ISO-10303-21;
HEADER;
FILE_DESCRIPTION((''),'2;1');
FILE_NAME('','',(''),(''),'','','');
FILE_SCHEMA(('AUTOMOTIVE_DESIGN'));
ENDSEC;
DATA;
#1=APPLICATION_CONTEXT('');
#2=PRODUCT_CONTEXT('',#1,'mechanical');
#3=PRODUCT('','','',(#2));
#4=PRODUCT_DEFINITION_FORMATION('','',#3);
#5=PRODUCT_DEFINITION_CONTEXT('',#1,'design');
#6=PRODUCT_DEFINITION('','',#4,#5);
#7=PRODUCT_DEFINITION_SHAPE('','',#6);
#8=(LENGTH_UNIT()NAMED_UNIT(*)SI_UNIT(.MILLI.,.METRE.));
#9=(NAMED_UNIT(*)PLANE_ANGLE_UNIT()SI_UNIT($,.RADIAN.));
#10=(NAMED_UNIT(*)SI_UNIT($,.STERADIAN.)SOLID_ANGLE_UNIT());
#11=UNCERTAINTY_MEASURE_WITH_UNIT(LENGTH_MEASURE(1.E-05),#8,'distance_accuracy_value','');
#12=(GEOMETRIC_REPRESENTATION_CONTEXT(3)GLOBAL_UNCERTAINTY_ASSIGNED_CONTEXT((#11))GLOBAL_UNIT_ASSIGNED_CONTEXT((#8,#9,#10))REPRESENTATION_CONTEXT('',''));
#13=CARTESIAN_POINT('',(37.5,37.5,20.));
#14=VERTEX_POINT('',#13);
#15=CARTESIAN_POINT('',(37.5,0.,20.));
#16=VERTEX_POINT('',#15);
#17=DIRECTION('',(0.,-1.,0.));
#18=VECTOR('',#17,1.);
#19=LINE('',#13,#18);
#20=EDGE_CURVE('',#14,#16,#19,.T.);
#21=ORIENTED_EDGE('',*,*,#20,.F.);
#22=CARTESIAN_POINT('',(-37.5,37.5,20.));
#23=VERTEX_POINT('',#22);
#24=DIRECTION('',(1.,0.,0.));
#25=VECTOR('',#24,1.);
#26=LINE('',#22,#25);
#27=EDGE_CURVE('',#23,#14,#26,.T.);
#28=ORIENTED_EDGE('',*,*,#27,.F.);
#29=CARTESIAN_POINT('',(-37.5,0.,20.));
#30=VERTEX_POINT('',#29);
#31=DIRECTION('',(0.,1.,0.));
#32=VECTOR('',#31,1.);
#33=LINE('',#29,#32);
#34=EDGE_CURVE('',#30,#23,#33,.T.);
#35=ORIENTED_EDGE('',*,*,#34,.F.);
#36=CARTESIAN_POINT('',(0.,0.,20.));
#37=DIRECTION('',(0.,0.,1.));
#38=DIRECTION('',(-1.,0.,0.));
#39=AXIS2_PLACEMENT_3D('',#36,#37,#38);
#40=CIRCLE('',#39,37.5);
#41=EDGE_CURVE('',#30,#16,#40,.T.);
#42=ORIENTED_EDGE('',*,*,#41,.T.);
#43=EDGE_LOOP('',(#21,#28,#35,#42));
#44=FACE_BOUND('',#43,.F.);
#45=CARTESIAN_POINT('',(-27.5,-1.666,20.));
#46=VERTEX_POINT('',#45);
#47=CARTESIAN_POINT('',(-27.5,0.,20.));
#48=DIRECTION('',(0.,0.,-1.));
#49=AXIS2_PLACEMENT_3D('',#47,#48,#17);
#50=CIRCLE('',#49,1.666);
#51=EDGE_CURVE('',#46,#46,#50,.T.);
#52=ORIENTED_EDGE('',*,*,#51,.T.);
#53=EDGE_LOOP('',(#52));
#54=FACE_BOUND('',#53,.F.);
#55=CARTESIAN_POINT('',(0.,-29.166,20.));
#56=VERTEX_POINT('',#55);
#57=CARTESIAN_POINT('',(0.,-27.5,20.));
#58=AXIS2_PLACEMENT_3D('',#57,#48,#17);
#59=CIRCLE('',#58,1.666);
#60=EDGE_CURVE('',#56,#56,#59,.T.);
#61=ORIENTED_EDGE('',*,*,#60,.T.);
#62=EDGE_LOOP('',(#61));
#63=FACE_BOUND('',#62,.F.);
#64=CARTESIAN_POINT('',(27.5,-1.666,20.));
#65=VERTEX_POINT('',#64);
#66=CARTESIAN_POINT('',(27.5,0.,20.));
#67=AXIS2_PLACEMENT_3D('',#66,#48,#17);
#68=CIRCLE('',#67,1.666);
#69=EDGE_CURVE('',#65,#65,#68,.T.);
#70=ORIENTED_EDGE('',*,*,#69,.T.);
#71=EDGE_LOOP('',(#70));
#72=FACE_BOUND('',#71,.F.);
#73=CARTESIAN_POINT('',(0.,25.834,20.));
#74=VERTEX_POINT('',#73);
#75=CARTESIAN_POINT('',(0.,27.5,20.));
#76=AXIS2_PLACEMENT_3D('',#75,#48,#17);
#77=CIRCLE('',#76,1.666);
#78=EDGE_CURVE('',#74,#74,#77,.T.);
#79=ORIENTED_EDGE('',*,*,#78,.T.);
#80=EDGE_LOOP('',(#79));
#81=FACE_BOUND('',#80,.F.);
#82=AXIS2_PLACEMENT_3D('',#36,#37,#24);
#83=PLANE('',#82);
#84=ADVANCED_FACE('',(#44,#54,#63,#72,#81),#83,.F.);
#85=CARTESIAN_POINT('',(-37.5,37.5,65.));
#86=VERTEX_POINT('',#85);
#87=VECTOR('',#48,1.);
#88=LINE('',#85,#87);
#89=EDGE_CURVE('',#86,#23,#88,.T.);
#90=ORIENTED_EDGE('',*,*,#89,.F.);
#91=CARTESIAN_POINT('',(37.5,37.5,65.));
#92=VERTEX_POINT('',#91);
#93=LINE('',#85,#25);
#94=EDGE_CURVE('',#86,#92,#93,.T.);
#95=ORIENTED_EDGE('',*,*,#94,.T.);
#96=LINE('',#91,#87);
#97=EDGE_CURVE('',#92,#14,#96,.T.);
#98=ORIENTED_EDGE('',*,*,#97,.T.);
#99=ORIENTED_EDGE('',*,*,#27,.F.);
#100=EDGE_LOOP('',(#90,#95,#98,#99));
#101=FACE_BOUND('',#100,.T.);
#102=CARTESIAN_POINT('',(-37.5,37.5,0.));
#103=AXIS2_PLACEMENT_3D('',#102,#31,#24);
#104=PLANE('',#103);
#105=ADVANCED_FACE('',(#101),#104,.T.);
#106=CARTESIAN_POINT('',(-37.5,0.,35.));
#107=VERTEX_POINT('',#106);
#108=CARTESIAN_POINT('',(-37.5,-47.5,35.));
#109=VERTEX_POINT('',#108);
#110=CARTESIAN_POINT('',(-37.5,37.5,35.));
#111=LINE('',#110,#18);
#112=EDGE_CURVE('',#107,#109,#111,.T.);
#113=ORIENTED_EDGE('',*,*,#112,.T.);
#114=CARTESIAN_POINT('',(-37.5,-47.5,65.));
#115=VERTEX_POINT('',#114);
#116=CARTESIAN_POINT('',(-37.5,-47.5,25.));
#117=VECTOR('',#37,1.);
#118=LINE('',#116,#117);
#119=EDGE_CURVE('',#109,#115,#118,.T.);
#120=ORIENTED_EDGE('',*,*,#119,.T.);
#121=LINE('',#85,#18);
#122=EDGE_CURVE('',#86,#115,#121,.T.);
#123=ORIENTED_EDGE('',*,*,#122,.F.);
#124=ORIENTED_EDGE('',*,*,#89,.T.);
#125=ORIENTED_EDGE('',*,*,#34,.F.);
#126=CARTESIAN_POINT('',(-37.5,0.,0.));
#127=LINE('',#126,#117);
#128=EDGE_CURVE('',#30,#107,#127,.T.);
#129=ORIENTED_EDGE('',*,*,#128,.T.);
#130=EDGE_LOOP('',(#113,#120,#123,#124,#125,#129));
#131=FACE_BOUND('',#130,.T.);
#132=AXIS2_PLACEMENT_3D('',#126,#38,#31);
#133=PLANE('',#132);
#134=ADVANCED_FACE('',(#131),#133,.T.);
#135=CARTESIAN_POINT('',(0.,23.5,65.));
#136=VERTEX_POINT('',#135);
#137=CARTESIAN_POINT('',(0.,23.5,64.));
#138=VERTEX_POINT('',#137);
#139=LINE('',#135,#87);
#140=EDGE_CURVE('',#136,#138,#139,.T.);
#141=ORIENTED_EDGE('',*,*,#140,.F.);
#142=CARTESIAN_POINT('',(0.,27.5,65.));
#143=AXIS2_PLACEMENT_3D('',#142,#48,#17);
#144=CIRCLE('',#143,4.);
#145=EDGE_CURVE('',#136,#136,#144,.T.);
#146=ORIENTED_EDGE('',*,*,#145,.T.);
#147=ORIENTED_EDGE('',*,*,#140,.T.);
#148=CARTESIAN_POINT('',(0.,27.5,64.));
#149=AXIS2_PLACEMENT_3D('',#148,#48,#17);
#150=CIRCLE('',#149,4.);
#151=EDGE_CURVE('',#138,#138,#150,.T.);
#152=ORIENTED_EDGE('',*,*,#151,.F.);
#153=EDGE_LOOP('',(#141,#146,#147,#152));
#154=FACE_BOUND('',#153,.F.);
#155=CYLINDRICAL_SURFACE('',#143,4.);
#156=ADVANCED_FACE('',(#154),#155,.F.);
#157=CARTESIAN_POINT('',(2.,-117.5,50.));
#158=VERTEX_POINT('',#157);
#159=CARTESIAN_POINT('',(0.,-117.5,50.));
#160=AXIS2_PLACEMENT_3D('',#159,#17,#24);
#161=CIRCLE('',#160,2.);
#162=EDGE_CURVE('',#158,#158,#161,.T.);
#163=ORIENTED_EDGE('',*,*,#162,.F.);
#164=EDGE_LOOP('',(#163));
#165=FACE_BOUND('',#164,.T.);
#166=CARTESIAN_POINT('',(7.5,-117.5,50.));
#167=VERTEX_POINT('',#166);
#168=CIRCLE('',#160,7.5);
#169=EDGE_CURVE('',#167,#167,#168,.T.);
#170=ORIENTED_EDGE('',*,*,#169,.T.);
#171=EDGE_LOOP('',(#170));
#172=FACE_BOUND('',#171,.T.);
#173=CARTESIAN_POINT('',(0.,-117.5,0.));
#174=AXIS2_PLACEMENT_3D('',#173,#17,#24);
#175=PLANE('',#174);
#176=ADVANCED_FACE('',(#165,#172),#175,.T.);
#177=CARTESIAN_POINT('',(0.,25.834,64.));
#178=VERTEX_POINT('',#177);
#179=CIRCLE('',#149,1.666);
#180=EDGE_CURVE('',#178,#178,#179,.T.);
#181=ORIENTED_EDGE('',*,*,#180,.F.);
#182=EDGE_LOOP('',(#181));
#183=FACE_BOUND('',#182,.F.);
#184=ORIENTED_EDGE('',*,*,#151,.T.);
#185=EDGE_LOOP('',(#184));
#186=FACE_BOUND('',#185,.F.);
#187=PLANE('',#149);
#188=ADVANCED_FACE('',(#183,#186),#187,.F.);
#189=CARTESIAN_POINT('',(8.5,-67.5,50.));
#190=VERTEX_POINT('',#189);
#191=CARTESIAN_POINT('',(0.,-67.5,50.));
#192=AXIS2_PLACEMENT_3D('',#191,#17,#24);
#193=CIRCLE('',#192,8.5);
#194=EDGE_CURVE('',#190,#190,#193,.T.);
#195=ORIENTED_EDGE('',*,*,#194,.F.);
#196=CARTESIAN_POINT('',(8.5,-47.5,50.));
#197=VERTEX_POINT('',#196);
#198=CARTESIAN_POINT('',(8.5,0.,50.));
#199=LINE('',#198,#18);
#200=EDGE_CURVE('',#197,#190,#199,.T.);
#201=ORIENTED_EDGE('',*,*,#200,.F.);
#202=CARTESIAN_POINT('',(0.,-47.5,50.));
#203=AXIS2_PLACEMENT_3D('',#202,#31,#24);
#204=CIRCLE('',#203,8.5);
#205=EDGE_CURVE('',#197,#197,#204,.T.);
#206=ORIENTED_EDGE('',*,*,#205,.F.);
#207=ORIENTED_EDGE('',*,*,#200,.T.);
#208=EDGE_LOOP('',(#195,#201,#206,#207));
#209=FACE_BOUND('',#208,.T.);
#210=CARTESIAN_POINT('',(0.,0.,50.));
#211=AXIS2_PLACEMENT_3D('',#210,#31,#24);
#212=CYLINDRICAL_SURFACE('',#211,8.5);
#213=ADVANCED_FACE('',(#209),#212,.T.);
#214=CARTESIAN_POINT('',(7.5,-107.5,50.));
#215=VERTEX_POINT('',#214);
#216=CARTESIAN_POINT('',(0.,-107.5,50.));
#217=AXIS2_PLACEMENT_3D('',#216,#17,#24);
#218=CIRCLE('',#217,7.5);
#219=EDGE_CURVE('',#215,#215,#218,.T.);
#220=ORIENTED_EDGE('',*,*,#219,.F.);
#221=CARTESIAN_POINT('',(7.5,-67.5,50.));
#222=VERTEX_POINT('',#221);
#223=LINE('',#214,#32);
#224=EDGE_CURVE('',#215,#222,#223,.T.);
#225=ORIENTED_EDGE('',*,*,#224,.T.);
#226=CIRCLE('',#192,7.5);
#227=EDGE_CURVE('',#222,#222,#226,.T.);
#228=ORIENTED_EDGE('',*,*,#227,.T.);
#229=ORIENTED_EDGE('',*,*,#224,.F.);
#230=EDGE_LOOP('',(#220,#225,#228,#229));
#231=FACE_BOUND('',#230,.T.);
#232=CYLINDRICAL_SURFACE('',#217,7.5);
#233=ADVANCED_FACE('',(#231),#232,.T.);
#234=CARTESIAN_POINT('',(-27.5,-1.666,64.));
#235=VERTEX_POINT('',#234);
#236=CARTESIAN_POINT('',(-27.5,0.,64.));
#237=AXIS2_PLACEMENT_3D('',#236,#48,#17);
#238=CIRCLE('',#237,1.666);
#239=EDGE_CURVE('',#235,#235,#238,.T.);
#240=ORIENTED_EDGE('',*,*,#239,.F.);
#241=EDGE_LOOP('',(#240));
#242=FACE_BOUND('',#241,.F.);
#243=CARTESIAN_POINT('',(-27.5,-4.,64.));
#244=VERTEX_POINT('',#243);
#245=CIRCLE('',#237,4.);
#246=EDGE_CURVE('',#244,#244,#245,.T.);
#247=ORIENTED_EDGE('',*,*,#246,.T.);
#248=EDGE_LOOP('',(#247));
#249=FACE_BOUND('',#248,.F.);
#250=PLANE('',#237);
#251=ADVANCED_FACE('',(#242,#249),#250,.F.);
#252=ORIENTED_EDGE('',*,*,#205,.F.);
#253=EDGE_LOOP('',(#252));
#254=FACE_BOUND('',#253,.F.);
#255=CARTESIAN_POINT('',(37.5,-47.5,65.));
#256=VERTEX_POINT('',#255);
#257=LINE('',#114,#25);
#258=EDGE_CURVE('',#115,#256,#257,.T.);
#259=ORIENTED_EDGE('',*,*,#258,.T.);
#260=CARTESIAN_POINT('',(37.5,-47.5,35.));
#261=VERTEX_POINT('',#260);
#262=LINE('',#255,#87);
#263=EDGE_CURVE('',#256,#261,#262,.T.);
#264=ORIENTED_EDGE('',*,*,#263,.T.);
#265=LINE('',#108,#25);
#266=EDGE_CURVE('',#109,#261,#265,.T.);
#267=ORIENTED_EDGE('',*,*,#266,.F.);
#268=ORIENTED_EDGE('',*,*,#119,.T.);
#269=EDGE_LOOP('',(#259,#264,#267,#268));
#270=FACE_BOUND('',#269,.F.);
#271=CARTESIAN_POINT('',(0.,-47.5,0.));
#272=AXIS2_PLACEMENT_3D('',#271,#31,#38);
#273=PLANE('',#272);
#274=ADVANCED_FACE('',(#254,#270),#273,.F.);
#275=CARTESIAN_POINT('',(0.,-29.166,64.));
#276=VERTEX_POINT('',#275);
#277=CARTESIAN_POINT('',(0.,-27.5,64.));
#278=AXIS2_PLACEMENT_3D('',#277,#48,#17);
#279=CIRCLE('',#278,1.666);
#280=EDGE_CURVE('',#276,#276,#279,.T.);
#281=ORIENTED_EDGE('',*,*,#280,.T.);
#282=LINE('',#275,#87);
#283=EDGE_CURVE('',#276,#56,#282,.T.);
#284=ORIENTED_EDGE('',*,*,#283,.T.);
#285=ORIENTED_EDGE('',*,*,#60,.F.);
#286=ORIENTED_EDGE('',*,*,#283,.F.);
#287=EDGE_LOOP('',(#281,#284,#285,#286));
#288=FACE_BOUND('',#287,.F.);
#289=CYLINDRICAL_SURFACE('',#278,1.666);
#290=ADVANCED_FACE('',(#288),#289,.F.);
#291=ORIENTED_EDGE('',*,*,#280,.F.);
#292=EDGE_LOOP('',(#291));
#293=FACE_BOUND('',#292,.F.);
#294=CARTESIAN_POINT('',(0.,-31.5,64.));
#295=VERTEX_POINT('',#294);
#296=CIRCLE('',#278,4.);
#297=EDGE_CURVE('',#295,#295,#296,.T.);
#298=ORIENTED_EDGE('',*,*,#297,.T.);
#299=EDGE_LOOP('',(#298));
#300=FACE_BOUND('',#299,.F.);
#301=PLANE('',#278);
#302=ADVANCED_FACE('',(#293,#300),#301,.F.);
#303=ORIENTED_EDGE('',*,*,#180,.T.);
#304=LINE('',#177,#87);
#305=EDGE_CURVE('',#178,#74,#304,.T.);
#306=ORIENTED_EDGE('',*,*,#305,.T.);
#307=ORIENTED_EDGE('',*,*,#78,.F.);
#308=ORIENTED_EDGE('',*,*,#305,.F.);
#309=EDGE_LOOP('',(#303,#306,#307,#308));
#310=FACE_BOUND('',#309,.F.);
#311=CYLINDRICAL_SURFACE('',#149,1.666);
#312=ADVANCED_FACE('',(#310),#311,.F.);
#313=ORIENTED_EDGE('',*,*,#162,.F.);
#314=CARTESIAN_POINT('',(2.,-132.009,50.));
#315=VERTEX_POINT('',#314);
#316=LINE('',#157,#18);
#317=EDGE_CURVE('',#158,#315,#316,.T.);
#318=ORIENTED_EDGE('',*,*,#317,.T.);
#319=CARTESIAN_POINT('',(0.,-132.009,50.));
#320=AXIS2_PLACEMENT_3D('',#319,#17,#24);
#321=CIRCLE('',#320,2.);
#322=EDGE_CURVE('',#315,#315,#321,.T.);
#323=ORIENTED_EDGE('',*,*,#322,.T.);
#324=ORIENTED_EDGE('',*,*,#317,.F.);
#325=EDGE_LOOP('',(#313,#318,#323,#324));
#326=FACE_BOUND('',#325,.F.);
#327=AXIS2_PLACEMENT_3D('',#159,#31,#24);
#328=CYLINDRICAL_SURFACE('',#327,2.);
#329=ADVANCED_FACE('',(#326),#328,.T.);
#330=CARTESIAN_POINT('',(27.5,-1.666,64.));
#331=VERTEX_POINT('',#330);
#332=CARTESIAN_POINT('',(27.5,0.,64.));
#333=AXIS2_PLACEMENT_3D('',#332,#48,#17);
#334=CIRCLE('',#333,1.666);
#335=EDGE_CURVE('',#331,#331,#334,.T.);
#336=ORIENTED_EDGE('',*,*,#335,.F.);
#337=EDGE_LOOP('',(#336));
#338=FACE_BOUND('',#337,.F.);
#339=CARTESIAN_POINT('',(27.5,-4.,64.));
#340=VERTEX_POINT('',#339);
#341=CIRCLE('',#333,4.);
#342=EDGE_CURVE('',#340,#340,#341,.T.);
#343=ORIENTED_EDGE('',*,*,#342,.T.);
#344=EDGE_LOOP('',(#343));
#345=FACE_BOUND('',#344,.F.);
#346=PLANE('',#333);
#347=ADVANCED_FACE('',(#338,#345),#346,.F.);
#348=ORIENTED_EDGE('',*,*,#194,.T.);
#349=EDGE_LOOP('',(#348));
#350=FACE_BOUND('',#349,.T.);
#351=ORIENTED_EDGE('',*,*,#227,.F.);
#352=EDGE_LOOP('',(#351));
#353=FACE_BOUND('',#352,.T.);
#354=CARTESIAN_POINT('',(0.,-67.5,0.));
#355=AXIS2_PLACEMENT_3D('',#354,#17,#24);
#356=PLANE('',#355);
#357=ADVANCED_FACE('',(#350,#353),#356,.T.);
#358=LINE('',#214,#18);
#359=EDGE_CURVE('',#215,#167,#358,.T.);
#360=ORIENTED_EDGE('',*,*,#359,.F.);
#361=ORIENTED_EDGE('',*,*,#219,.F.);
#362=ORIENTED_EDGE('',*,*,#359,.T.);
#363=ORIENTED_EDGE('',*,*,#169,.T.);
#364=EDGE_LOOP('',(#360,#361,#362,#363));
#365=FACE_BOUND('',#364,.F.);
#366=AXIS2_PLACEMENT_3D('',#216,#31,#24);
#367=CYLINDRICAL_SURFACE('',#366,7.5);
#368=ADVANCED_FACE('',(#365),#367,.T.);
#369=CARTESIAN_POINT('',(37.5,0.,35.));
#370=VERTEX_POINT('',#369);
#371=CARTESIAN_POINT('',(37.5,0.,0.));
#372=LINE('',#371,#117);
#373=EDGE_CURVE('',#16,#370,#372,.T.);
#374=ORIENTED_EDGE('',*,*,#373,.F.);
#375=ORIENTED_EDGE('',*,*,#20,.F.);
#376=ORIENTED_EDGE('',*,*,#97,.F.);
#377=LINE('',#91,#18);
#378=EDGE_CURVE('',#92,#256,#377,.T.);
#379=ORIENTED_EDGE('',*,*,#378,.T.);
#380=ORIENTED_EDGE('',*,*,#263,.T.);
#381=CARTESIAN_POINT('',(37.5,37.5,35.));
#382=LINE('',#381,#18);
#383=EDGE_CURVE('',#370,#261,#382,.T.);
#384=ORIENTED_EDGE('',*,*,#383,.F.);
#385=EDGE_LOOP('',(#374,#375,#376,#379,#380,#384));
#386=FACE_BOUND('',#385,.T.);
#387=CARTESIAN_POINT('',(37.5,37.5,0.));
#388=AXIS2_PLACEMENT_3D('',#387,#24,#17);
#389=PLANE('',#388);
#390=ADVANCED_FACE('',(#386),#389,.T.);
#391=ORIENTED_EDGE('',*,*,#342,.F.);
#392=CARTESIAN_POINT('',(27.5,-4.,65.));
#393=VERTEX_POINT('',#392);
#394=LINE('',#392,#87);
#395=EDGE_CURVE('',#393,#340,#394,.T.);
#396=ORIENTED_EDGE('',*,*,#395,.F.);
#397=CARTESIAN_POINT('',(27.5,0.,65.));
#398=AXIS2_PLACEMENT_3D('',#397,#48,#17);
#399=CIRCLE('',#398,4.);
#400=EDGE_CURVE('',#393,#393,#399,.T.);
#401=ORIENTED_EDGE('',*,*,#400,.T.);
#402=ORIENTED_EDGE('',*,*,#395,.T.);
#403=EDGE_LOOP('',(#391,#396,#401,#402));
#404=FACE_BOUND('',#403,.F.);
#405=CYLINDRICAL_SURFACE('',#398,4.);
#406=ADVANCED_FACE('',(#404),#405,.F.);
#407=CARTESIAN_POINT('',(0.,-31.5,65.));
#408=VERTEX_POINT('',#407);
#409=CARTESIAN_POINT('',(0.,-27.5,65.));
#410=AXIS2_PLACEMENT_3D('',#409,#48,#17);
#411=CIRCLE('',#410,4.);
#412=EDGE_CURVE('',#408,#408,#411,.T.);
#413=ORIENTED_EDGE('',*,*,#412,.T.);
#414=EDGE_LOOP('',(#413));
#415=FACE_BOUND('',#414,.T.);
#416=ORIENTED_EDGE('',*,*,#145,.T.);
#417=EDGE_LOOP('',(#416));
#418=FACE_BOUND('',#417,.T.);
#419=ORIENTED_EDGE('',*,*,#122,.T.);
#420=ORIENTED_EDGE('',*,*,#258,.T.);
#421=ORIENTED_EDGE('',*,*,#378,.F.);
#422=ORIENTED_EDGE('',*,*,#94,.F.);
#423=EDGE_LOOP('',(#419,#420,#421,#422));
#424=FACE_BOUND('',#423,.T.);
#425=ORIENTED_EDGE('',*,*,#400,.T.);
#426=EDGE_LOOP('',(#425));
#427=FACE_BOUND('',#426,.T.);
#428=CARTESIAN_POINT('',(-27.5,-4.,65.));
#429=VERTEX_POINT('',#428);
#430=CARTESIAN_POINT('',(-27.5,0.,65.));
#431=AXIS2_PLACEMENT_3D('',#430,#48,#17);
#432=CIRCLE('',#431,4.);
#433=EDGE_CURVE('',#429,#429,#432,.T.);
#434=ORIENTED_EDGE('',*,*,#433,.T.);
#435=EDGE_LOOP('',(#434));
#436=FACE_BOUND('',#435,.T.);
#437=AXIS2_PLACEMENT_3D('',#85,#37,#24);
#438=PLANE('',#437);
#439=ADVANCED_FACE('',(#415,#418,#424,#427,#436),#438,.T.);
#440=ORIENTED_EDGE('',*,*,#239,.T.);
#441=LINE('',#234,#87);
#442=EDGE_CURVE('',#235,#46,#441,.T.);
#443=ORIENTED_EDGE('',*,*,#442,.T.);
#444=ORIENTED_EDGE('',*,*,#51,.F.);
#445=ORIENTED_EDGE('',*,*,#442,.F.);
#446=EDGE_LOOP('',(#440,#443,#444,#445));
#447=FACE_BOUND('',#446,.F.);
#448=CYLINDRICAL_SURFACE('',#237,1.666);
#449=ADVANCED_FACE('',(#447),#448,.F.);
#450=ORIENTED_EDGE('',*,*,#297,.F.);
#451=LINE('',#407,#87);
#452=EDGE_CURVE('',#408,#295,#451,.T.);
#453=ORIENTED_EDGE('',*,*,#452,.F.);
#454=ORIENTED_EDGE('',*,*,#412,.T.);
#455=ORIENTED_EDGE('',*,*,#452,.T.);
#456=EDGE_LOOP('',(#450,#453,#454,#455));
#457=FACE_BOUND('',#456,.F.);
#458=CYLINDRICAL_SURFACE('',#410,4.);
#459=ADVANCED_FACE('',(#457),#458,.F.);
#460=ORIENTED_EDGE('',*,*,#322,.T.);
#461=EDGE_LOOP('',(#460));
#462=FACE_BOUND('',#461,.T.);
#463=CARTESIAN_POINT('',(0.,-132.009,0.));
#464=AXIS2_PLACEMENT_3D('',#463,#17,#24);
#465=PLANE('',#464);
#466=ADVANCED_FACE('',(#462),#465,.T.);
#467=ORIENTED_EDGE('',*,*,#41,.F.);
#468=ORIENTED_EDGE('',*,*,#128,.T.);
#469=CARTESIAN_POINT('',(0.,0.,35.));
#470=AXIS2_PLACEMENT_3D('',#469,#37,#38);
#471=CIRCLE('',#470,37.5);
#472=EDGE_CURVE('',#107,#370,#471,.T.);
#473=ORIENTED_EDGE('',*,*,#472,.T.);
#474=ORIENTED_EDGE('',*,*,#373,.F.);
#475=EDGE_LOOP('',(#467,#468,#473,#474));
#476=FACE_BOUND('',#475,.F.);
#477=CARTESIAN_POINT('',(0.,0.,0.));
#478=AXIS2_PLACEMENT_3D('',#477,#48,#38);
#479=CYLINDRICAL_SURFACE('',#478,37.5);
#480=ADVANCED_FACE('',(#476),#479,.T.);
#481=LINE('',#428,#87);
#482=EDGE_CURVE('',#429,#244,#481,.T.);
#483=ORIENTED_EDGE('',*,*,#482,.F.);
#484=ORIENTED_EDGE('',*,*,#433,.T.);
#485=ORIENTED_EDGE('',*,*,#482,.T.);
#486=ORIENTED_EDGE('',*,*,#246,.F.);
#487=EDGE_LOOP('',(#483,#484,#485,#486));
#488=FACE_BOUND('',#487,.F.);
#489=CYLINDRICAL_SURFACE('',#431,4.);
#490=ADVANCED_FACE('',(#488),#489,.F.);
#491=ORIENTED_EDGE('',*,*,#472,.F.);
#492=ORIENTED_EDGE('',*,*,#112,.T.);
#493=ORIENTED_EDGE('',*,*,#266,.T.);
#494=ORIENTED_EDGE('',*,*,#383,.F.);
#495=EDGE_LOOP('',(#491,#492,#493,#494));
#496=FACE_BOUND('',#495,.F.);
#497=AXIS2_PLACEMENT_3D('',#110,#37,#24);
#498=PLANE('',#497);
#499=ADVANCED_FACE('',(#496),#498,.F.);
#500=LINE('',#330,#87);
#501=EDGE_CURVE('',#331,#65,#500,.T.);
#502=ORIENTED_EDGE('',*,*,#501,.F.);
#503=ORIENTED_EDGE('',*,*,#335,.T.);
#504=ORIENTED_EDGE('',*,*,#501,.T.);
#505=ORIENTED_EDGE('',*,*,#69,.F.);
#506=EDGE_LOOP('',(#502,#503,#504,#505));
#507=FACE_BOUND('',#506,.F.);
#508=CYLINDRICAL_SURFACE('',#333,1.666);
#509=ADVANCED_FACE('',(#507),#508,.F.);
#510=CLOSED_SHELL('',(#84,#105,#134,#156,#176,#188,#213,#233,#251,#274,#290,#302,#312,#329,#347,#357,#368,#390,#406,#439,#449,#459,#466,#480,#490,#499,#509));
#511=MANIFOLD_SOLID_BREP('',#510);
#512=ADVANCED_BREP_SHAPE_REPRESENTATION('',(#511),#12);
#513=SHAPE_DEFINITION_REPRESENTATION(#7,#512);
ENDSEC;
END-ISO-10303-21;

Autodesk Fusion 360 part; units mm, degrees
sketch "Sketch1" plane through (0, 0, 0) normal (0, 0, 1) x (1, 0, 0)
  line L0 (-37.5, 0) -> (-37.5, 37.5)
  line L1 (-37.5, 37.5) -> (37.5, 37.5)
  line L2 (37.5, 37.5) -> (37.5, 0)
  arc A0 (-37.5, 0) -> (37.5, 0) centre (0, 0) ccw
  dimension "d1" = 75
  dimension "d2" = 75
extrude "Extrude1" add sketch "Sketch1" along normal blind 35
sketch "Sketch2" plane through (0, 37.5, 0) normal (0, 1, 0) x (-1, 0, 0)
  line L0 (-37.5, 0) -> (37.5, 0)
  line L1 (37.5, 0) -> (37.5, 35)
  line L2 (37.5, 35) -> (-37.5, 35)
  line L3 (-37.5, 35) -> (-37.5, 0)
  line L4 (37.5, 65) -> (-37.5, 65)
  line L5 (-37.5, 65) -> (-37.5, 25)
  line L6 (-37.5, 25) -> (37.5, 25)
  line L7 (37.5, 25) -> (37.5, 65)
  line L8 (37.5, 65) -> (-37.5, 25) construction
  line L9 (-37.5, 65) -> (37.5, 25) construction
  point P0 (0, 45)
  dimension "d6" = 75
  dimension "d7" = 40
extrude "Extrude2" add sketch "Sketch2" against normal blind 85 contours L2 L4 L5 L7
sketch "Sketch3" plane through (0, 0, 0) normal (0, 1, 0) x (1, 0, 0)
  circle A0 centre (0, -50) radius 8.5
  point P0 (0, -50)
  dimension "d12" = 17
extrude "Extrude3" add sketch "Sketch3" against normal blind 107.5
sketch "Sketch4" plane through (0, -107.5, 0) normal (0, -1, 0) x (1, 0, 0)
  circle A0 centre (0, 50) radius 8.5
  circle A1 centre (0, 50) radius 7.5
  dimension "d15" = 15
extrude "Extrude4" cut sketch "Sketch4" against normal blind 40
sketch "Sketch5" plane through (0, 0, 0) normal (0, 0, -1) x (-1, 0, 0)
  line L0 (37.5, 0) -> (37.5, 37.5)
  line L1 (37.5, 37.5) -> (-37.5, 37.5)
  line L2 (-37.5, 37.5) -> (-37.5, 0)
  arc A0 (-37.5, 0) -> (37.5, 0) centre (0, 0) ccw
  line L3 (0, 37.5) -> (0, 27.5)
  line L4 (-37.5, 0) -> (-27.5, 0)
  line L5 (37.5, 0) -> (27.5, 0)
  line L6 (0, -37.5) -> (0, -27.5)
  dimension "d18" = 10
  dimension "d19" = 10
  dimension "d20" = 10
  dimension "d21" = 10
extrude "Extrude6" cut 1 faces at (-12.5, 25, 0) along direction (0, 0, 1) blind 20
sketch "Sketch6" plane through (0, -107.5, 0) normal (0, -1, 0) x (1, 0, 0)
  circle A0 centre (0, 50) radius 7.5
  circle A1 centre (0, 50) radius 7.5
extrude "Extrude7" add sketch "Sketch6" along normal blind 10
sketch "Sketch7" plane through (0, -117.5, 0) normal (0, -1, 0) x (1, 0, 0)
  circle A0 centre (0, 50) radius 7.5
  circle A1 centre (0, 50) radius 2
  dimension "d33" = 4
extrude "Extrude8" add sketch "Sketch7" along normal blind 14.509 contours A1
sketch "Sketch8" plane through (0, 0, 65) normal (0, 0, 1) x (1, 0, 0)
  line L0 (37.5, 37.5) -> (-37.5, 37.5)
  line L1 (-37.5, 37.5) -> (-37.5, -47.5)
  line L2 (-37.5, -47.5) -> (37.5, -47.5)
  line L3 (37.5, -47.5) -> (37.5, 37.5)
  line L4 (0, 37.5) -> (0, 27.5)
  line L5 (-37.5, 0) -> (-27.5, 0)
  line L6 (0, -37.5) -> (0, -27.5)
  line L7 (37.5, 0) -> (27.5, 0)
  dimension "d36" = 10
  dimension "d38" = 360
hole "Hole2" at (0, 27.5, 65) at (27.5, 0, 65) at (-27.5, 0, 65) at (0, -27.5, 65) direction (0, 0, -1) diameter 3.332 end through all counterbore diameter 8 counterbore depth 1
